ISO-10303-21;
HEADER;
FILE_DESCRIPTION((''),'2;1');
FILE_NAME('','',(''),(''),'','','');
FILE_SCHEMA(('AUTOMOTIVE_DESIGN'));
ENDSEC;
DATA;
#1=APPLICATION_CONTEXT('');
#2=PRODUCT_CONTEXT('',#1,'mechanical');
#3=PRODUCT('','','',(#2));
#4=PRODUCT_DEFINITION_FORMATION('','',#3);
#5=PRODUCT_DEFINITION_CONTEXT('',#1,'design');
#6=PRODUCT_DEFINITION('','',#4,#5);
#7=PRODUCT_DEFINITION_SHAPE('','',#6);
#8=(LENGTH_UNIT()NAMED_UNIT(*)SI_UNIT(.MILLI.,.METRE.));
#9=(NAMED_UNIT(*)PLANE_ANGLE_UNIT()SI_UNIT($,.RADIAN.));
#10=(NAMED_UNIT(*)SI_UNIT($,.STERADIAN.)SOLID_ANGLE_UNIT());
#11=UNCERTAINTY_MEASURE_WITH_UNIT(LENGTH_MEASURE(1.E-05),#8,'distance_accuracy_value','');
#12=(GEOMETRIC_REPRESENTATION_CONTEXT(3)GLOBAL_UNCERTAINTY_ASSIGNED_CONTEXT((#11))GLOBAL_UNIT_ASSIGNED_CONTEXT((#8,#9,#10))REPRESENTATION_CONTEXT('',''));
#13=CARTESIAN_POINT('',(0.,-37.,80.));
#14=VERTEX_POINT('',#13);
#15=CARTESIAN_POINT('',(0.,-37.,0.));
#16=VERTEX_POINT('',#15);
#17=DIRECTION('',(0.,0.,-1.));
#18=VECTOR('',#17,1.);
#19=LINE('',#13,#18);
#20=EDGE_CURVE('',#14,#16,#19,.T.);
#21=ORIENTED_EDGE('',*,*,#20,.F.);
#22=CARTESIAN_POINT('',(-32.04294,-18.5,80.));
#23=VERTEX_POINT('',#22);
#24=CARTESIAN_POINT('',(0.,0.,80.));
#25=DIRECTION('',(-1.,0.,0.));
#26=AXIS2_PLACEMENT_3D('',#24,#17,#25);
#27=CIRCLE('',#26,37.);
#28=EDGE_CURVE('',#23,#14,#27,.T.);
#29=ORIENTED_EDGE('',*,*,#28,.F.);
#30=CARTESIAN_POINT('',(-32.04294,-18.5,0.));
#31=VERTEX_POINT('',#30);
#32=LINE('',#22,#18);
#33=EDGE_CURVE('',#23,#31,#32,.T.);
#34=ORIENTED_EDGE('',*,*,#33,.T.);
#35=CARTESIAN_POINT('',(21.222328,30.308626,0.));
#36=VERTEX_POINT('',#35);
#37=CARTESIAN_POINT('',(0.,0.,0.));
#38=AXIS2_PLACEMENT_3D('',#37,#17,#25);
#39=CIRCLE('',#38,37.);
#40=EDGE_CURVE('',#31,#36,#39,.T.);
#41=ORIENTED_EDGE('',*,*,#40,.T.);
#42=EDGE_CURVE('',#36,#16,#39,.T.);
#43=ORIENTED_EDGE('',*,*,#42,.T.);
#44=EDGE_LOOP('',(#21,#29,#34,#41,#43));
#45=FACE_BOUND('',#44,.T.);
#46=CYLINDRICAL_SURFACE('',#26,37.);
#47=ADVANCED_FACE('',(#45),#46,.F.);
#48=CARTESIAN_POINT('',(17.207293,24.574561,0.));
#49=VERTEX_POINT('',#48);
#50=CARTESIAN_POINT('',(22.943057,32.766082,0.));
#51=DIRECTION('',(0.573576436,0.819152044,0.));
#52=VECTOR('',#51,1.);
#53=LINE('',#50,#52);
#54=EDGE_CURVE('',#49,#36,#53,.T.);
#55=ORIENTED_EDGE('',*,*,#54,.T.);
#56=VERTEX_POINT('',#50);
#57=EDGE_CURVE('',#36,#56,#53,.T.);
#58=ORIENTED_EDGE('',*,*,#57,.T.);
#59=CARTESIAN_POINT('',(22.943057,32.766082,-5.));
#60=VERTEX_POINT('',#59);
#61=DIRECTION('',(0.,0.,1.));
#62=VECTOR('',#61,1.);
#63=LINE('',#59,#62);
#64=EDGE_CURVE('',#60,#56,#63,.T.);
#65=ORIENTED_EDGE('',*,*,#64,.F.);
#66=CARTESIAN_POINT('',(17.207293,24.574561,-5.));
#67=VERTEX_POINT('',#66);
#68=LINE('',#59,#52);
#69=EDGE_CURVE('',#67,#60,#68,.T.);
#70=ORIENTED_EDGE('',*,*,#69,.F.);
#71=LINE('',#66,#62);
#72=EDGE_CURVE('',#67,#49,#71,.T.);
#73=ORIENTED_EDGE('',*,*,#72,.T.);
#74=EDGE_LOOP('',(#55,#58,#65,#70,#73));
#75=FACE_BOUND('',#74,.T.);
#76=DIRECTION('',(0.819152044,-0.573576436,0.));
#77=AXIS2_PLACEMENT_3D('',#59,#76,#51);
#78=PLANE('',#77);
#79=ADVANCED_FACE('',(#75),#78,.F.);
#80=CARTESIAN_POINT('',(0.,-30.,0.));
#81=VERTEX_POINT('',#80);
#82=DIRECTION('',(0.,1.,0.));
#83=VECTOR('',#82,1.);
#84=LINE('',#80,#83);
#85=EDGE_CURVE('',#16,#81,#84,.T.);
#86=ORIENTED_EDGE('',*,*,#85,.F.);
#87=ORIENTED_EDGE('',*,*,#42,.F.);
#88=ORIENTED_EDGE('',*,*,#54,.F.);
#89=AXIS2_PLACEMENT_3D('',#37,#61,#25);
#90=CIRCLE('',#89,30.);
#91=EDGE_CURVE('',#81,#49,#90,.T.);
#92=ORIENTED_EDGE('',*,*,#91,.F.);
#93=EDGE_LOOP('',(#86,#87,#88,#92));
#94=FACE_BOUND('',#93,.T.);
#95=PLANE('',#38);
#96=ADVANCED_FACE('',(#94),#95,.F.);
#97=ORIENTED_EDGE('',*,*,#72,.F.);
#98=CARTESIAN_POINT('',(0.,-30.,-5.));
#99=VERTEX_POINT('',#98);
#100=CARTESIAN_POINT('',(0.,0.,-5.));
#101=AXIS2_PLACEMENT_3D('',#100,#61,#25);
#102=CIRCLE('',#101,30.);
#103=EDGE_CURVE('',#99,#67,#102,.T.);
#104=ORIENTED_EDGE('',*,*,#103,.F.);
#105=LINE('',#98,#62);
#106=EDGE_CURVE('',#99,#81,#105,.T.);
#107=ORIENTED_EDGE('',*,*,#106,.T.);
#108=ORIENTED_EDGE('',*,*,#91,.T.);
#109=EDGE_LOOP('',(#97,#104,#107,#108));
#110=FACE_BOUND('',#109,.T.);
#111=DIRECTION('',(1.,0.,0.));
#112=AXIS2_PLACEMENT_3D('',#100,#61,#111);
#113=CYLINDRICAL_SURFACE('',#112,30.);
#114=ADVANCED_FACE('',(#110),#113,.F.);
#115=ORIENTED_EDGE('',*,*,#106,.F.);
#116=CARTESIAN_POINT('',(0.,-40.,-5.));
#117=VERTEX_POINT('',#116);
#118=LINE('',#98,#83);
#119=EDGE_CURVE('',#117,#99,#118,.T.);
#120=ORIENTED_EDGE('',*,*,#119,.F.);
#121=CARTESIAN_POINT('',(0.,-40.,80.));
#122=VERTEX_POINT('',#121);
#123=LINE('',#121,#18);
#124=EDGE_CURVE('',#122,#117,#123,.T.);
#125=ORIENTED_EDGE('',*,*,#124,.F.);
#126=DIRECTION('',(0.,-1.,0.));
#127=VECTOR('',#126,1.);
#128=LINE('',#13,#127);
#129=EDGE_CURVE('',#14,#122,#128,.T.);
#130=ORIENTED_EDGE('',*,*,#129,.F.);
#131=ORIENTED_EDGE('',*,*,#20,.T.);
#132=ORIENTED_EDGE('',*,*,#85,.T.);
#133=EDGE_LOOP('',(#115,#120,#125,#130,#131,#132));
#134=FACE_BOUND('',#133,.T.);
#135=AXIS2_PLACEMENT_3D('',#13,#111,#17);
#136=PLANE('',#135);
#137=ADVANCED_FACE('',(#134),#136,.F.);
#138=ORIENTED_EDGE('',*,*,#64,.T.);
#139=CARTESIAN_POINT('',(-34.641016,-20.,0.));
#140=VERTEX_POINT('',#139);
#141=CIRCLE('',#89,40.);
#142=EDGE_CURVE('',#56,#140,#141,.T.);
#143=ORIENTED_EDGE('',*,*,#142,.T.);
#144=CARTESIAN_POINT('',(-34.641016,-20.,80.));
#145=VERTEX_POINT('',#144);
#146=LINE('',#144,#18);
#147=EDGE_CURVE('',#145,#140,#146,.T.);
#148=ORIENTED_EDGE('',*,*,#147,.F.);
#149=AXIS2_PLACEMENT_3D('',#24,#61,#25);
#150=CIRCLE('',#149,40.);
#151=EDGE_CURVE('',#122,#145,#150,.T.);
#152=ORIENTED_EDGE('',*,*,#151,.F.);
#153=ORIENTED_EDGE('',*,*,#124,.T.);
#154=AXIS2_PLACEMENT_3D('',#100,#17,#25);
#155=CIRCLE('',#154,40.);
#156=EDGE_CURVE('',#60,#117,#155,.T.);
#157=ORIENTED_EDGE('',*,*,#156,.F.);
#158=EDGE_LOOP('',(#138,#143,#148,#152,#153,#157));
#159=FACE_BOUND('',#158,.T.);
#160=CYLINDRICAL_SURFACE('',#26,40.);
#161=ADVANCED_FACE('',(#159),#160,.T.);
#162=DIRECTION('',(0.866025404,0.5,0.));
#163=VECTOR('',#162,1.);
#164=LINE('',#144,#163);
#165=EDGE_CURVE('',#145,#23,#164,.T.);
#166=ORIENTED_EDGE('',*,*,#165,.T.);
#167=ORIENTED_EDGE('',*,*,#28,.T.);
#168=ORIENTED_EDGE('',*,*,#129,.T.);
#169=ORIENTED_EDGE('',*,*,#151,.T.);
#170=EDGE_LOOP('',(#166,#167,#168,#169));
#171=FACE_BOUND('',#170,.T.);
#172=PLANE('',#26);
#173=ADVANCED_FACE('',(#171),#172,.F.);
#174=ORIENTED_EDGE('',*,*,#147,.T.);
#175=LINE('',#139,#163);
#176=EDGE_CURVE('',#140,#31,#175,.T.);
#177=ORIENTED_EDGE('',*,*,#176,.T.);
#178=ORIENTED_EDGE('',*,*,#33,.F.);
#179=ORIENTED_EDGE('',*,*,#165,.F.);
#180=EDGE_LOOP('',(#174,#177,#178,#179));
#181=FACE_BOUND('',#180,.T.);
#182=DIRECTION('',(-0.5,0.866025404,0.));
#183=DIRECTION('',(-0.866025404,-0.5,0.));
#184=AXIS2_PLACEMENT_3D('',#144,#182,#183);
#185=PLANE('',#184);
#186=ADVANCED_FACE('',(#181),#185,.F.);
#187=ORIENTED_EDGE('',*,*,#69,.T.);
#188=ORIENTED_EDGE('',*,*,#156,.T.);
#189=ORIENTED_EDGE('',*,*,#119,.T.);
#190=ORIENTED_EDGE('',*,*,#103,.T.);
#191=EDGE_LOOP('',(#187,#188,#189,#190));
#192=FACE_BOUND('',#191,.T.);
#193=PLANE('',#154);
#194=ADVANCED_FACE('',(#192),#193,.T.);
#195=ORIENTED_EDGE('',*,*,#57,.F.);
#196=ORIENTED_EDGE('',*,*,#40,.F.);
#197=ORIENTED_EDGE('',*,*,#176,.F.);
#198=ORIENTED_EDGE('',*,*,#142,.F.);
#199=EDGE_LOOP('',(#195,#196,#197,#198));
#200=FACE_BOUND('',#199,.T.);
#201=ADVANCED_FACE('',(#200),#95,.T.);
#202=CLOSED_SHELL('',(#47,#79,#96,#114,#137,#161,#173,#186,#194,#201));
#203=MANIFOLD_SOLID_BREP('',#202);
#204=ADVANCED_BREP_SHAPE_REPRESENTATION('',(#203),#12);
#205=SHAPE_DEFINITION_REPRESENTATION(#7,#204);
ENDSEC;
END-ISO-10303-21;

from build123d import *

# Parameters (mm, degrees)
EXTRUDE_1_DEPTH = 80
EXTRUDE_START   = 5
EXTRUDE_2_DEPTH = 5


with BuildPart() as part:
    # 草圖1 → 填料-伸長1 (new body)
    with BuildSketch(Plane.XY):
        with BuildLine():
            Line((0, -37), (0, -40))
            ThreePointArc((0, -40), (20, 34.641016151), (-34.641016151, -20))
            Line((-34.641016151, -20), (-32.04293994, -18.5))
            ThreePointArc((-32.04293994, -18.5), (18.5, 32.04293994), (0, -37))
        make_face()
    extrude(amount=EXTRUDE_1_DEPTH)

    # 草圖2 → 填料-伸長2 (add)
    with BuildSketch(Plane(origin=(0, 0, 0), x_dir=(-1, 0, 0), z_dir=(0, 0, -1)).offset(EXTRUDE_START)):
        with BuildLine():
            Line((0, -30), (0, -40))
            ThreePointArc((0, -40), (-38.14867803, -12.02823198), (-22.943057454, 32.766081772))
            Line((-22.943057454, 32.766081772), (-17.207293091, 24.574561329))
            ThreePointArc((-17.207293091, 24.574561329), (-28.611508522, -9.021173985), (0, -30))
        make_face()
    extrude(amount=-EXTRUDE_2_DEPTH)


solid = part.part
